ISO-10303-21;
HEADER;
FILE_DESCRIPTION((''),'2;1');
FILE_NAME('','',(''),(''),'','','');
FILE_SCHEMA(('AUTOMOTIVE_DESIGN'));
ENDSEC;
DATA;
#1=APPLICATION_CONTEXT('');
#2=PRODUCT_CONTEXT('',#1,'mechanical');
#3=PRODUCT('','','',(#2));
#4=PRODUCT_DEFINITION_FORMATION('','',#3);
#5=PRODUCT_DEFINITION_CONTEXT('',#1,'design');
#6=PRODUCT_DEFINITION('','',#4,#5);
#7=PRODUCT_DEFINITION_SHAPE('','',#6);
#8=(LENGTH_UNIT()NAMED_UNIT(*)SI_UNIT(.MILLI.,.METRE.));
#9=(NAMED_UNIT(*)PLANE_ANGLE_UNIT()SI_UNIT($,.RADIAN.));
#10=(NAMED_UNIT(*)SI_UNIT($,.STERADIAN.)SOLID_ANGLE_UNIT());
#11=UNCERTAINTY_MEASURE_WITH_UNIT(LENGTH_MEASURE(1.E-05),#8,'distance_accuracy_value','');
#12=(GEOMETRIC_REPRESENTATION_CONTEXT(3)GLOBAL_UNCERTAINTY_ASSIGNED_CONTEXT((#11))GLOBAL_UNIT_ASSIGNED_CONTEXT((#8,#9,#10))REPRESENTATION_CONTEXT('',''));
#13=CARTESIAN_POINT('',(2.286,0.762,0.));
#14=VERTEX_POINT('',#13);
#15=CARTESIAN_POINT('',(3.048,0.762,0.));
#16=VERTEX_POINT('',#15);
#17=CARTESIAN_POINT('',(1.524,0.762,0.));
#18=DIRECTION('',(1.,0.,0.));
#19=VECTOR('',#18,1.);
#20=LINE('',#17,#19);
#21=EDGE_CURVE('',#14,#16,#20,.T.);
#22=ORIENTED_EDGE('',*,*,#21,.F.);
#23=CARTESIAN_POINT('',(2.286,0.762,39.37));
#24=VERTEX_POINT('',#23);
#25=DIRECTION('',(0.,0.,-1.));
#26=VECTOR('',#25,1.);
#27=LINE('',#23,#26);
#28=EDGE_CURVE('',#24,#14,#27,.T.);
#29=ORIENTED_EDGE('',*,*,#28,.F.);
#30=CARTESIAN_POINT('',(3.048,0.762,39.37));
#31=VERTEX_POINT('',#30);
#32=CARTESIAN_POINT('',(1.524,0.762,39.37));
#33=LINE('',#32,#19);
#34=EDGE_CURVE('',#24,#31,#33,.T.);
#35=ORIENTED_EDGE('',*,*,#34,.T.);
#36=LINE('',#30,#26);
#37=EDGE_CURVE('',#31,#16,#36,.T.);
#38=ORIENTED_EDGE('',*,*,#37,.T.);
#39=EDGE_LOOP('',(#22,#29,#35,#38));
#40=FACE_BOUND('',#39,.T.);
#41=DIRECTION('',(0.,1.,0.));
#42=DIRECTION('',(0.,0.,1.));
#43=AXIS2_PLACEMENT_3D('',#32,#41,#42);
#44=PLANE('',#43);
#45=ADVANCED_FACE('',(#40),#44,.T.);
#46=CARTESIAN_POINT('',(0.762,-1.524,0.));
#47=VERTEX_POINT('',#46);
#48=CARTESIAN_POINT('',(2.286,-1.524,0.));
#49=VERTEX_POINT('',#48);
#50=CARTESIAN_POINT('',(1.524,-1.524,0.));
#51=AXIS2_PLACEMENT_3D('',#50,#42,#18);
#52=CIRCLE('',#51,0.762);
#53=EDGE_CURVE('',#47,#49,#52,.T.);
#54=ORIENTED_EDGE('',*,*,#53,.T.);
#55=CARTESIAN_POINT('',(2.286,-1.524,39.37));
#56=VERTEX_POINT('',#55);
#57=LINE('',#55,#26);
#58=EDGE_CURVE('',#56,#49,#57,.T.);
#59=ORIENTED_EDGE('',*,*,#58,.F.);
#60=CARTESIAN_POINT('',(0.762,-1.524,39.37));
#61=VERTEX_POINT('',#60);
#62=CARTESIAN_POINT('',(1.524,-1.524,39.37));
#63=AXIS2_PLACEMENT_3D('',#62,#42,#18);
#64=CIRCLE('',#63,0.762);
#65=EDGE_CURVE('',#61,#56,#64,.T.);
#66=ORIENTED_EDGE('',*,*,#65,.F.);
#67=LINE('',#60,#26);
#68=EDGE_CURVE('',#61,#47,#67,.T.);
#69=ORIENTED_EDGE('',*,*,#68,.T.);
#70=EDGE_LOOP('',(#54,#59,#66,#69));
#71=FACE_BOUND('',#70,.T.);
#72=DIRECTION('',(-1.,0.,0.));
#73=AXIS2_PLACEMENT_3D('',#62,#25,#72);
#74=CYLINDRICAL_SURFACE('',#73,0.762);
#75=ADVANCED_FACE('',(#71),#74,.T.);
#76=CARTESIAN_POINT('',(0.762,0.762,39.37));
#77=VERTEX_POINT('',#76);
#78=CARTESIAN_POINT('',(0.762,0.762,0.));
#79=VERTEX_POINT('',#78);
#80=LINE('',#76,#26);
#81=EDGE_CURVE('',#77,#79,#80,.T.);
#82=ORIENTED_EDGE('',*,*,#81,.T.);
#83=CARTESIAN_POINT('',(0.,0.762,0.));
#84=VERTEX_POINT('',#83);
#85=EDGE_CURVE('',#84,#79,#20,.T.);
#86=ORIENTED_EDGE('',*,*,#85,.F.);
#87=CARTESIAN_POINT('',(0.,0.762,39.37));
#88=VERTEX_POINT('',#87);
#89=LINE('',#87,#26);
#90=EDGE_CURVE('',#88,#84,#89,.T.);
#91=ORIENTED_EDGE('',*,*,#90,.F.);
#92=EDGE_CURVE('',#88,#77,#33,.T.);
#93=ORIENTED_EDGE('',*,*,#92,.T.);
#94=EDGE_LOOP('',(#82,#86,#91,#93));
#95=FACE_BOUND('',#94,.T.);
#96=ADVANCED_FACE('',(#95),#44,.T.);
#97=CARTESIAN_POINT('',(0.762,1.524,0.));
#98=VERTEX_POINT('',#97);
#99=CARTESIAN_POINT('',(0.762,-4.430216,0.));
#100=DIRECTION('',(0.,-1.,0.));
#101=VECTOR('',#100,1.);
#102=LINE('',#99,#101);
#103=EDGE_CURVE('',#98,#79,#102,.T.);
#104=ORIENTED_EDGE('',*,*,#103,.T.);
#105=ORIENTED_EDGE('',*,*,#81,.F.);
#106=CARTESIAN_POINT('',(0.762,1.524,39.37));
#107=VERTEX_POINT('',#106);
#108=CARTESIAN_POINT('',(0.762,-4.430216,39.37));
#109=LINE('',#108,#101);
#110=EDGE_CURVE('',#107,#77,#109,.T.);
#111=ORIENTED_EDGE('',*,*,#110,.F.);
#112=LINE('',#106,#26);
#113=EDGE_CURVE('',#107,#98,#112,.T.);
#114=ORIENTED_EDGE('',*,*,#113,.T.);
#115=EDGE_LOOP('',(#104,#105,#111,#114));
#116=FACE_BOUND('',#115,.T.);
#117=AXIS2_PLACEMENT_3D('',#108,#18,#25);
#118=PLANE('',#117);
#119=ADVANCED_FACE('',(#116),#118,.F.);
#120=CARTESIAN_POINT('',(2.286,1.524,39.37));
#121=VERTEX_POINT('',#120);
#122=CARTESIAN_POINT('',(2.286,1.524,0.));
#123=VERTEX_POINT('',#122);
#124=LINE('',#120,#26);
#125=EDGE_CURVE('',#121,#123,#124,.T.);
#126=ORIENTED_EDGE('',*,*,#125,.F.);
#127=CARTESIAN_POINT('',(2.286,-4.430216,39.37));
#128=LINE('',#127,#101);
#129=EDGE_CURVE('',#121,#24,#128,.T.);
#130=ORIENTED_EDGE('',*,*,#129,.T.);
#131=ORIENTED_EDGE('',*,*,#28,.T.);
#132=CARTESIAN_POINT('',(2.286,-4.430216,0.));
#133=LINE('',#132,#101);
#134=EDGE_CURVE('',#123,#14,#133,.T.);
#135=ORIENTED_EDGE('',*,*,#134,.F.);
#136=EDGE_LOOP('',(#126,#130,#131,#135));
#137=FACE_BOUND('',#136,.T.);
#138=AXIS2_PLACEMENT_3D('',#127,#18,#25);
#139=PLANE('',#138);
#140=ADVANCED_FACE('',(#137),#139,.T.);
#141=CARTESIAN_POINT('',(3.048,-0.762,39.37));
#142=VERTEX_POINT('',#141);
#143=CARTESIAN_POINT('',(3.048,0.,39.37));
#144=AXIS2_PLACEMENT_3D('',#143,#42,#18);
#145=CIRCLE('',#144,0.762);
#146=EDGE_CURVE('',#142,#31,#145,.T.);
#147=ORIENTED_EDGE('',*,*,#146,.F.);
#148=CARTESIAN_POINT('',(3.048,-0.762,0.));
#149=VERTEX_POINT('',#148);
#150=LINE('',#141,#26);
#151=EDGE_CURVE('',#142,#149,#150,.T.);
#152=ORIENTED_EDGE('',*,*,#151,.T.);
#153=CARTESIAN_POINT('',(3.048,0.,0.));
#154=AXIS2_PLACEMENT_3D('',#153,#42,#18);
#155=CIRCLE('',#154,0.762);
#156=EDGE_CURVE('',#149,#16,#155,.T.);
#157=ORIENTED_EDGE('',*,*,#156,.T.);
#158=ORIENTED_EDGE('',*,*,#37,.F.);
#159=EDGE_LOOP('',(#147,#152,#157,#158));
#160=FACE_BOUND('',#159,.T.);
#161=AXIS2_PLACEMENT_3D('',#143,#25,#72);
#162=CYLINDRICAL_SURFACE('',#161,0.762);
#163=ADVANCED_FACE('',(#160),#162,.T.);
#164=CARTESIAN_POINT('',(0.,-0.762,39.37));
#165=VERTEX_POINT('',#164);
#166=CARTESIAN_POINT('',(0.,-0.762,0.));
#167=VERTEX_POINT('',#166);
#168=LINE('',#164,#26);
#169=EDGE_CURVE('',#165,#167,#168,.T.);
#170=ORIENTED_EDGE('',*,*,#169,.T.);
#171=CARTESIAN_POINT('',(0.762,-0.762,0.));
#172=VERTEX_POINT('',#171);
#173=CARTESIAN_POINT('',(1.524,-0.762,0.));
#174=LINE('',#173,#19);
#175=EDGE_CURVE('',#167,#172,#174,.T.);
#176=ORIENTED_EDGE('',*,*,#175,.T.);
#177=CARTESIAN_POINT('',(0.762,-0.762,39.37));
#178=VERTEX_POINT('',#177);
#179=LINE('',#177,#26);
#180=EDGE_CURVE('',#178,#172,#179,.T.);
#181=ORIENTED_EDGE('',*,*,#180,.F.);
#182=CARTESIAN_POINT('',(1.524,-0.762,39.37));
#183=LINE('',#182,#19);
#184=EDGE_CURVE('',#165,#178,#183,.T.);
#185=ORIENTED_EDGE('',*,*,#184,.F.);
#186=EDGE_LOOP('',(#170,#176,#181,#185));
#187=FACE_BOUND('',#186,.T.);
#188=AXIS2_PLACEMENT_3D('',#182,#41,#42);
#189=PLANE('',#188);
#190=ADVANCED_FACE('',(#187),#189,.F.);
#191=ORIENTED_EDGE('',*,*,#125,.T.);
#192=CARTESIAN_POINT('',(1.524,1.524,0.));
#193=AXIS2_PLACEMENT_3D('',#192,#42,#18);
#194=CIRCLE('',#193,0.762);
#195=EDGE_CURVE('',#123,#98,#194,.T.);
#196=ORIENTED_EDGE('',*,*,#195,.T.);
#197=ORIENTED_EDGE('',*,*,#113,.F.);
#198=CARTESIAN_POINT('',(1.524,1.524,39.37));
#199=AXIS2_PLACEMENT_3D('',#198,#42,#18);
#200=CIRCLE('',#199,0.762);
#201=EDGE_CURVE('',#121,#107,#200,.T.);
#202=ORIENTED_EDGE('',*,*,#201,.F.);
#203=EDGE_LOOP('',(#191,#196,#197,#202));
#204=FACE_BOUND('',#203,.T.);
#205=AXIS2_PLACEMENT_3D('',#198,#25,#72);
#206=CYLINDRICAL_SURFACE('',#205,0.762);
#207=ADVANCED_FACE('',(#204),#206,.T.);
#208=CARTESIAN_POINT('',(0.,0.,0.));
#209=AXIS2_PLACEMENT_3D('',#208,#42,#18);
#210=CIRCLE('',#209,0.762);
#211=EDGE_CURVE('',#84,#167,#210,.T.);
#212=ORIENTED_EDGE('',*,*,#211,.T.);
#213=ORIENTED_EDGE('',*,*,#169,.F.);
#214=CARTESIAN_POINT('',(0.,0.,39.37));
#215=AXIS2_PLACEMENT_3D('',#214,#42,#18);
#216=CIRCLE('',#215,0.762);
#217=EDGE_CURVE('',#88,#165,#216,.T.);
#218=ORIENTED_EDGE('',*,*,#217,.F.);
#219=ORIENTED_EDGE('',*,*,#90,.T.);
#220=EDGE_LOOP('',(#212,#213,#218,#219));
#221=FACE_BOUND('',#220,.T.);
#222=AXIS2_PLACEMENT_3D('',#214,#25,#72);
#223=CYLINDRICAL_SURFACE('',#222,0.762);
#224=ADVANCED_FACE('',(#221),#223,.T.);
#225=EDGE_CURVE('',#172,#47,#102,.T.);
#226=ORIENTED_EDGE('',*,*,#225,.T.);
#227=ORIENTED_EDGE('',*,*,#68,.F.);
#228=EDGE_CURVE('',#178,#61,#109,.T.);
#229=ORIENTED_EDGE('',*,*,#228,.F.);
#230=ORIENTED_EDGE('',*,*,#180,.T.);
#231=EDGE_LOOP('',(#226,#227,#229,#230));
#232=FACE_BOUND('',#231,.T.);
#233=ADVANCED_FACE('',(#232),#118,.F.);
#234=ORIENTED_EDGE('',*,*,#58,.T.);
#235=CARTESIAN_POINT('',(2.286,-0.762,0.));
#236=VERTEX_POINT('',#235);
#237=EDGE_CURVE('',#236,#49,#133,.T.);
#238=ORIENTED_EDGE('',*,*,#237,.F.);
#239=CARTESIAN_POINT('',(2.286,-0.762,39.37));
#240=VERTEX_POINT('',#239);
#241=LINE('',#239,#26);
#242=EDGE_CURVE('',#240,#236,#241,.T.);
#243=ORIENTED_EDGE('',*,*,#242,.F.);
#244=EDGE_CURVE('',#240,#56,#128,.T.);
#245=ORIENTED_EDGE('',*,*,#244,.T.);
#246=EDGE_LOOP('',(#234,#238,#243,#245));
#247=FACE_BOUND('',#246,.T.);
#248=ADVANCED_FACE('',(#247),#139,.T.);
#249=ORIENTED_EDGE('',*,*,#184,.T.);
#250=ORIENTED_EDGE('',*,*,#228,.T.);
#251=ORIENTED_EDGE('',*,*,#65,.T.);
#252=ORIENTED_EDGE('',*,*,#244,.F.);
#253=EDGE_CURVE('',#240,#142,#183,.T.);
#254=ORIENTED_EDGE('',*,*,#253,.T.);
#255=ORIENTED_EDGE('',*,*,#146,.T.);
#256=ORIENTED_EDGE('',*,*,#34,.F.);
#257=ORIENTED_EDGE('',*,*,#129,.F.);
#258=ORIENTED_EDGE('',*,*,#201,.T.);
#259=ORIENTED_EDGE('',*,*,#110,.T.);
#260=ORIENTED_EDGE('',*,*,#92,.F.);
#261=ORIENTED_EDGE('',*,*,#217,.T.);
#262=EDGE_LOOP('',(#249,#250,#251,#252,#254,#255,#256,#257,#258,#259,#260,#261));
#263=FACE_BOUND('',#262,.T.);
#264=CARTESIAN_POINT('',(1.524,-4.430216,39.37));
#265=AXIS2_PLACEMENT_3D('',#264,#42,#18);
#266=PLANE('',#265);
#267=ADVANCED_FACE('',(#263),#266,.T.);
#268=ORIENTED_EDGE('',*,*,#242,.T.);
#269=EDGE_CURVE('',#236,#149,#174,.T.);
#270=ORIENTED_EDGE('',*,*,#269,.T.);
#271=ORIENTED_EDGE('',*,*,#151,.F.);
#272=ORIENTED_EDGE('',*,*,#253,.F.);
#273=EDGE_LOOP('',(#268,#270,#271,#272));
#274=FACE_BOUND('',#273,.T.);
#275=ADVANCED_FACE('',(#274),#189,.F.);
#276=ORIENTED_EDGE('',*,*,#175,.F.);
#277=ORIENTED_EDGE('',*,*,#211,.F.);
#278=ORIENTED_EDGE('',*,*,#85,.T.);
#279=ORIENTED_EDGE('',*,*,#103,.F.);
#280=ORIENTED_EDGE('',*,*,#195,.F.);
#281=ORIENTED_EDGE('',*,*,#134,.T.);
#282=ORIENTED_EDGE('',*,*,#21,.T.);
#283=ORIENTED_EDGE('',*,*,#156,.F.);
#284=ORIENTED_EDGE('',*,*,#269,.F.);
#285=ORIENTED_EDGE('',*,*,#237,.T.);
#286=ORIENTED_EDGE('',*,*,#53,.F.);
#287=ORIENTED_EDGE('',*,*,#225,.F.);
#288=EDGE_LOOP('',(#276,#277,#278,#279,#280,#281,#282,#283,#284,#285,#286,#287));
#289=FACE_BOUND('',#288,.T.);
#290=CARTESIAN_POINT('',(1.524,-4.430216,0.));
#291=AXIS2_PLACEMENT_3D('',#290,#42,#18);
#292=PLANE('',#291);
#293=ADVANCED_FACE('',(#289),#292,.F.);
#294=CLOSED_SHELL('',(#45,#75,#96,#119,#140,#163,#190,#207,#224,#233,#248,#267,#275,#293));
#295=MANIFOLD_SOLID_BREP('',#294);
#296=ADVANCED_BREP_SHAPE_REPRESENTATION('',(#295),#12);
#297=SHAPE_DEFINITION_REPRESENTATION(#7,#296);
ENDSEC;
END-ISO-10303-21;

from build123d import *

# Parameters (mm, degrees)
BOSS_EXTRUDE1_DEPTH = 39.37


with BuildPart() as part:
    # Sketch1 → Boss-Extrude1 (new body)
    with BuildSketch(Plane.XY):
        with BuildLine():
            Line((0.762, 0.762), (0, 0.762))
            ThreePointArc((0, 0.762), (-0.762, 0), (0, -0.762))
            Line((0, -0.762), (0.762, -0.762))
            Line((0.762, -0.762), (0.762, -1.524))
            ThreePointArc((0.762, -1.524), (1.524, -2.286), (2.286, -1.524))
            Line((2.286, -1.524), (2.286, -0.762))
            Line((2.286, -0.762), (3.048, -0.762))
            ThreePointArc((3.048, -0.762), (3.81, 0), (3.048, 0.762))
            Line((3.048, 0.762), (2.286, 0.762))
            Line((2.286, 0.762), (2.286, 1.524))
            ThreePointArc((2.286, 1.524), (1.524, 2.286), (0.762, 1.524))
            Line((0.762, 1.524), (0.762, 0.762))
        make_face()
    extrude(amount=BOSS_EXTRUDE1_DEPTH)


solid = part.part
